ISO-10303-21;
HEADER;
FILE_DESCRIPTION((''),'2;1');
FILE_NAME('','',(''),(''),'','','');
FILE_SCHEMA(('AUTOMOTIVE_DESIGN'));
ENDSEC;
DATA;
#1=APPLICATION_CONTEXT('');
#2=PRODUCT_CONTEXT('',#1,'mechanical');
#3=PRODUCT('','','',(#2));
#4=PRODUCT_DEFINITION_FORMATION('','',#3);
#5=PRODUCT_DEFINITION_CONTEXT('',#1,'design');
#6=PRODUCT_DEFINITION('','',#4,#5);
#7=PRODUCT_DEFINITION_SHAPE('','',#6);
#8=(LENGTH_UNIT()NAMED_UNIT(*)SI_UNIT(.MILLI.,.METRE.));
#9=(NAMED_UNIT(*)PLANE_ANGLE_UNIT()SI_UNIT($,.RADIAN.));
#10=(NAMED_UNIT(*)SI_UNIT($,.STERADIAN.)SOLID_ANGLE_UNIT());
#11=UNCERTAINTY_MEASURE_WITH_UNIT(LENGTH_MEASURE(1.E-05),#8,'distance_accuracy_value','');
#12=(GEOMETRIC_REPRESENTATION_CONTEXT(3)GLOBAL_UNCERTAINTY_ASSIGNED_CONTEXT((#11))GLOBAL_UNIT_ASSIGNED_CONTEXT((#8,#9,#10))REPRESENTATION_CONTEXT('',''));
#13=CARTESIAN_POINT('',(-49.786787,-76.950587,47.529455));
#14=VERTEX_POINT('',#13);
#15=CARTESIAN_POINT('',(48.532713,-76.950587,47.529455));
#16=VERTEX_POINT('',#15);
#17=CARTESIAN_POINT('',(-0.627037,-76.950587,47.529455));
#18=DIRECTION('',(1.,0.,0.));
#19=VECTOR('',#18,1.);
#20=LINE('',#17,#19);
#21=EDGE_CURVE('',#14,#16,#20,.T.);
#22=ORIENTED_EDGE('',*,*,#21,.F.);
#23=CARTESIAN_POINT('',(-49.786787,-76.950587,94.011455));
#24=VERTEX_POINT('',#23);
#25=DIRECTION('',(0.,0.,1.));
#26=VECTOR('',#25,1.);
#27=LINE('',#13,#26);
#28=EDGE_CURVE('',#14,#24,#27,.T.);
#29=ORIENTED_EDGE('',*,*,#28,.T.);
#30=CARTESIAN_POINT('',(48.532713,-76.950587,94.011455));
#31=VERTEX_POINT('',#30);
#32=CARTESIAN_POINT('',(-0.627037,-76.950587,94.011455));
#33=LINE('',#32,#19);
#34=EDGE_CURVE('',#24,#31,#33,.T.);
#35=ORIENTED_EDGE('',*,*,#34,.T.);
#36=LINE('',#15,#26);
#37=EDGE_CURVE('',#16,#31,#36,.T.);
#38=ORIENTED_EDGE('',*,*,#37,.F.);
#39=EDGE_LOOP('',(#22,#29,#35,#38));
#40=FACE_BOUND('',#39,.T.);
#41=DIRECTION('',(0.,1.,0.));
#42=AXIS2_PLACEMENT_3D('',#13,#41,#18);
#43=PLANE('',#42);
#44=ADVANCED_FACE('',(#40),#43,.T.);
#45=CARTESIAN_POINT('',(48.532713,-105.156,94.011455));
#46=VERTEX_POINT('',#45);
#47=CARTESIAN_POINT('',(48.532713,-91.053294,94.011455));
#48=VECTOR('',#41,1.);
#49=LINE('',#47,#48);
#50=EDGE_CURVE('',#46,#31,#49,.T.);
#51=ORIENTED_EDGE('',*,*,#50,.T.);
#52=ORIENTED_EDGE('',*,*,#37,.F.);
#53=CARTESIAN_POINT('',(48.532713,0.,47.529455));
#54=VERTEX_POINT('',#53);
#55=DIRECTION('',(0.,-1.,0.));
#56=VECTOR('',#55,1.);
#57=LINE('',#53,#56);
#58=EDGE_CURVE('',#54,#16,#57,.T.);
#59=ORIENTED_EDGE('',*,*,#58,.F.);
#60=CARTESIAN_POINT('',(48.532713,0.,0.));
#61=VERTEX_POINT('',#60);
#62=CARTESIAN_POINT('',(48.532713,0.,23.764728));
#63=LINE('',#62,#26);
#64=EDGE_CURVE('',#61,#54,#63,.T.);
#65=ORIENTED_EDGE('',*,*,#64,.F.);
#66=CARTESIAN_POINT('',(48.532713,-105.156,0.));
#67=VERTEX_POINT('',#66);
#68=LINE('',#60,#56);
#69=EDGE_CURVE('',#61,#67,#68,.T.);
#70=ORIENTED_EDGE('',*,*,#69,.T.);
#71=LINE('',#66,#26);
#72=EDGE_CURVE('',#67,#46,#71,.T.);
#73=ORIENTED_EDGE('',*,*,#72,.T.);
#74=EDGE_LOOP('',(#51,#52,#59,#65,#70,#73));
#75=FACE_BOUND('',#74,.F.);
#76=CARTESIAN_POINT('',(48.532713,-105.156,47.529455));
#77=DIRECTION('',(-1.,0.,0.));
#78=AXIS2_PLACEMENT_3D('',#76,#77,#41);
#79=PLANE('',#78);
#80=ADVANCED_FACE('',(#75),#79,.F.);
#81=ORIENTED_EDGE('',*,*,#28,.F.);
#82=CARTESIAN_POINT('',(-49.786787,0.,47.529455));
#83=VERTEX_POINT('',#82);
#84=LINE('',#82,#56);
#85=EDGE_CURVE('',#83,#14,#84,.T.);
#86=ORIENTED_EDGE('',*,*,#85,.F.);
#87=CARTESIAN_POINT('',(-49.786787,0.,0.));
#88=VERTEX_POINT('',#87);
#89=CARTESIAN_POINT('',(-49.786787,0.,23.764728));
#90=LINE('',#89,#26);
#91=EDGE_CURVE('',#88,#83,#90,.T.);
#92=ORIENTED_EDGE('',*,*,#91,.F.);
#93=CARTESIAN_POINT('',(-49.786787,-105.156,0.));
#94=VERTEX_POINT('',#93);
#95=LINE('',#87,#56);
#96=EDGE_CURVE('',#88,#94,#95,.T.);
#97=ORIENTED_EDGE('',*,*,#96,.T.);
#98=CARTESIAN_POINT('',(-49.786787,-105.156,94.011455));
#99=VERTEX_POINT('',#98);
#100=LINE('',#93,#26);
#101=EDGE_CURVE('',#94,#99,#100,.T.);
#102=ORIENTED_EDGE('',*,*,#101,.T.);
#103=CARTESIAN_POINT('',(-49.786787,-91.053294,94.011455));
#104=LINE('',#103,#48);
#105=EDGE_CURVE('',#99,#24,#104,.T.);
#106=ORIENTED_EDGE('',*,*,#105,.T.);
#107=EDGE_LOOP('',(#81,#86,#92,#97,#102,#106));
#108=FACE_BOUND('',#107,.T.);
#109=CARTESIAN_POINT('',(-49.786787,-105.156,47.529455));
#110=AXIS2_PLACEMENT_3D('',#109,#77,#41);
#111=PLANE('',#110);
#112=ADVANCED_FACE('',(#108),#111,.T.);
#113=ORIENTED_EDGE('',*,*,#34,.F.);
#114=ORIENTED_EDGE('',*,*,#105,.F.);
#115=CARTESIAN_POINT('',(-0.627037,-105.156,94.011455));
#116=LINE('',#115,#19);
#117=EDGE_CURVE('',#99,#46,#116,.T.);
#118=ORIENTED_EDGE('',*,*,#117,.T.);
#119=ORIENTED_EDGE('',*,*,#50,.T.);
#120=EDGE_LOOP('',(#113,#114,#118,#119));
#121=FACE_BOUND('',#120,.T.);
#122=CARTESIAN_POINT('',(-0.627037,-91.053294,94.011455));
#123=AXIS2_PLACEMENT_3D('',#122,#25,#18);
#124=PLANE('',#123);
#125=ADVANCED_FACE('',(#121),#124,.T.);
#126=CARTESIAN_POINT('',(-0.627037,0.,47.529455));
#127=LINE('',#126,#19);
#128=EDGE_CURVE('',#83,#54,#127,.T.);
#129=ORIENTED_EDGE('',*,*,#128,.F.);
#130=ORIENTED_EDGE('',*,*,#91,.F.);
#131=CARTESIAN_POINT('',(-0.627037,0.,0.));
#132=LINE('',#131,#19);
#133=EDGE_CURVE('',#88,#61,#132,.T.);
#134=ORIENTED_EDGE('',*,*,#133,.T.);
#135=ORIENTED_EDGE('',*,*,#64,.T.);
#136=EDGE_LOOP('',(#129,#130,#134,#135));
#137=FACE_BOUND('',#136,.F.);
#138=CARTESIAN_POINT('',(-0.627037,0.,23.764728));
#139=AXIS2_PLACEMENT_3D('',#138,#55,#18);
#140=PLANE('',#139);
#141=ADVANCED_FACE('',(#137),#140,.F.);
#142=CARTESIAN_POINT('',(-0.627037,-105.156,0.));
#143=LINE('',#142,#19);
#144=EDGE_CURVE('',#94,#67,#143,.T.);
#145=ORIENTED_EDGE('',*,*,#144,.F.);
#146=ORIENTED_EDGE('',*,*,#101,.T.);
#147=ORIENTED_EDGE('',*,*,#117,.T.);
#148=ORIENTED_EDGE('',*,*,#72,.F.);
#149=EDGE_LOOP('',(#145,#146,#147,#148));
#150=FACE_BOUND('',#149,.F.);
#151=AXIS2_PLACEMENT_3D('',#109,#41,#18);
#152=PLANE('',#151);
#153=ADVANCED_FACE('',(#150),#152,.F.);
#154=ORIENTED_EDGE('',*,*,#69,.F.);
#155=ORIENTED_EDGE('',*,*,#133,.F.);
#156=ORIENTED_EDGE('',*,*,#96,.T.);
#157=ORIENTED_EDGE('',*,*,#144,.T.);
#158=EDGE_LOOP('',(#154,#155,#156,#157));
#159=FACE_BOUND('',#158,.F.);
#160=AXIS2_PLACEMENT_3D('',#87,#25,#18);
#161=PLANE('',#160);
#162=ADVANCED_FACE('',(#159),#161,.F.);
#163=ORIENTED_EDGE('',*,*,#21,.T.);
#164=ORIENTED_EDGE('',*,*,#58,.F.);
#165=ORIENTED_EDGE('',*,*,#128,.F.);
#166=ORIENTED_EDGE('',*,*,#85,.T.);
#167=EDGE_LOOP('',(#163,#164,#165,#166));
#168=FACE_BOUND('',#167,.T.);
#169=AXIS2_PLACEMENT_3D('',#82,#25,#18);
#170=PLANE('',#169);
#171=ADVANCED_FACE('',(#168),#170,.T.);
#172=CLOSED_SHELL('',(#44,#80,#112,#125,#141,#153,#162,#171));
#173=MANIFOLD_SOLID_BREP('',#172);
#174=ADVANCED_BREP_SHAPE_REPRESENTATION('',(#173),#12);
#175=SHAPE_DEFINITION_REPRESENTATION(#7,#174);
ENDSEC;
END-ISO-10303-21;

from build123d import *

# Parameters (mm, degrees)
F0_W     = 98.3195006847
F0_H     = 47.5294552743
F1_DEPTH = 105.156
F2_W     = 98.3195006847
F2_H     = 28.2054126678
F3_DEPTH = 46.482


with BuildPart() as f1:
    # F0 (on Front) → F1 (new body)
    with BuildSketch(Plane.XZ):
        with Locations((-0.6270371377, 23.7647276372)):
            Rectangle(F0_W, F0_H)
    extrude(amount=F1_DEPTH)

    # F2 (on face) → F3 (join)
    with BuildSketch(Plane.XY.offset(47.5294552743)):
        with Locations((-0.6270371377, -91.0532936661)):
            Rectangle(F2_W, F2_H)
    extrude(amount=F3_DEPTH)


solid = f1.part
